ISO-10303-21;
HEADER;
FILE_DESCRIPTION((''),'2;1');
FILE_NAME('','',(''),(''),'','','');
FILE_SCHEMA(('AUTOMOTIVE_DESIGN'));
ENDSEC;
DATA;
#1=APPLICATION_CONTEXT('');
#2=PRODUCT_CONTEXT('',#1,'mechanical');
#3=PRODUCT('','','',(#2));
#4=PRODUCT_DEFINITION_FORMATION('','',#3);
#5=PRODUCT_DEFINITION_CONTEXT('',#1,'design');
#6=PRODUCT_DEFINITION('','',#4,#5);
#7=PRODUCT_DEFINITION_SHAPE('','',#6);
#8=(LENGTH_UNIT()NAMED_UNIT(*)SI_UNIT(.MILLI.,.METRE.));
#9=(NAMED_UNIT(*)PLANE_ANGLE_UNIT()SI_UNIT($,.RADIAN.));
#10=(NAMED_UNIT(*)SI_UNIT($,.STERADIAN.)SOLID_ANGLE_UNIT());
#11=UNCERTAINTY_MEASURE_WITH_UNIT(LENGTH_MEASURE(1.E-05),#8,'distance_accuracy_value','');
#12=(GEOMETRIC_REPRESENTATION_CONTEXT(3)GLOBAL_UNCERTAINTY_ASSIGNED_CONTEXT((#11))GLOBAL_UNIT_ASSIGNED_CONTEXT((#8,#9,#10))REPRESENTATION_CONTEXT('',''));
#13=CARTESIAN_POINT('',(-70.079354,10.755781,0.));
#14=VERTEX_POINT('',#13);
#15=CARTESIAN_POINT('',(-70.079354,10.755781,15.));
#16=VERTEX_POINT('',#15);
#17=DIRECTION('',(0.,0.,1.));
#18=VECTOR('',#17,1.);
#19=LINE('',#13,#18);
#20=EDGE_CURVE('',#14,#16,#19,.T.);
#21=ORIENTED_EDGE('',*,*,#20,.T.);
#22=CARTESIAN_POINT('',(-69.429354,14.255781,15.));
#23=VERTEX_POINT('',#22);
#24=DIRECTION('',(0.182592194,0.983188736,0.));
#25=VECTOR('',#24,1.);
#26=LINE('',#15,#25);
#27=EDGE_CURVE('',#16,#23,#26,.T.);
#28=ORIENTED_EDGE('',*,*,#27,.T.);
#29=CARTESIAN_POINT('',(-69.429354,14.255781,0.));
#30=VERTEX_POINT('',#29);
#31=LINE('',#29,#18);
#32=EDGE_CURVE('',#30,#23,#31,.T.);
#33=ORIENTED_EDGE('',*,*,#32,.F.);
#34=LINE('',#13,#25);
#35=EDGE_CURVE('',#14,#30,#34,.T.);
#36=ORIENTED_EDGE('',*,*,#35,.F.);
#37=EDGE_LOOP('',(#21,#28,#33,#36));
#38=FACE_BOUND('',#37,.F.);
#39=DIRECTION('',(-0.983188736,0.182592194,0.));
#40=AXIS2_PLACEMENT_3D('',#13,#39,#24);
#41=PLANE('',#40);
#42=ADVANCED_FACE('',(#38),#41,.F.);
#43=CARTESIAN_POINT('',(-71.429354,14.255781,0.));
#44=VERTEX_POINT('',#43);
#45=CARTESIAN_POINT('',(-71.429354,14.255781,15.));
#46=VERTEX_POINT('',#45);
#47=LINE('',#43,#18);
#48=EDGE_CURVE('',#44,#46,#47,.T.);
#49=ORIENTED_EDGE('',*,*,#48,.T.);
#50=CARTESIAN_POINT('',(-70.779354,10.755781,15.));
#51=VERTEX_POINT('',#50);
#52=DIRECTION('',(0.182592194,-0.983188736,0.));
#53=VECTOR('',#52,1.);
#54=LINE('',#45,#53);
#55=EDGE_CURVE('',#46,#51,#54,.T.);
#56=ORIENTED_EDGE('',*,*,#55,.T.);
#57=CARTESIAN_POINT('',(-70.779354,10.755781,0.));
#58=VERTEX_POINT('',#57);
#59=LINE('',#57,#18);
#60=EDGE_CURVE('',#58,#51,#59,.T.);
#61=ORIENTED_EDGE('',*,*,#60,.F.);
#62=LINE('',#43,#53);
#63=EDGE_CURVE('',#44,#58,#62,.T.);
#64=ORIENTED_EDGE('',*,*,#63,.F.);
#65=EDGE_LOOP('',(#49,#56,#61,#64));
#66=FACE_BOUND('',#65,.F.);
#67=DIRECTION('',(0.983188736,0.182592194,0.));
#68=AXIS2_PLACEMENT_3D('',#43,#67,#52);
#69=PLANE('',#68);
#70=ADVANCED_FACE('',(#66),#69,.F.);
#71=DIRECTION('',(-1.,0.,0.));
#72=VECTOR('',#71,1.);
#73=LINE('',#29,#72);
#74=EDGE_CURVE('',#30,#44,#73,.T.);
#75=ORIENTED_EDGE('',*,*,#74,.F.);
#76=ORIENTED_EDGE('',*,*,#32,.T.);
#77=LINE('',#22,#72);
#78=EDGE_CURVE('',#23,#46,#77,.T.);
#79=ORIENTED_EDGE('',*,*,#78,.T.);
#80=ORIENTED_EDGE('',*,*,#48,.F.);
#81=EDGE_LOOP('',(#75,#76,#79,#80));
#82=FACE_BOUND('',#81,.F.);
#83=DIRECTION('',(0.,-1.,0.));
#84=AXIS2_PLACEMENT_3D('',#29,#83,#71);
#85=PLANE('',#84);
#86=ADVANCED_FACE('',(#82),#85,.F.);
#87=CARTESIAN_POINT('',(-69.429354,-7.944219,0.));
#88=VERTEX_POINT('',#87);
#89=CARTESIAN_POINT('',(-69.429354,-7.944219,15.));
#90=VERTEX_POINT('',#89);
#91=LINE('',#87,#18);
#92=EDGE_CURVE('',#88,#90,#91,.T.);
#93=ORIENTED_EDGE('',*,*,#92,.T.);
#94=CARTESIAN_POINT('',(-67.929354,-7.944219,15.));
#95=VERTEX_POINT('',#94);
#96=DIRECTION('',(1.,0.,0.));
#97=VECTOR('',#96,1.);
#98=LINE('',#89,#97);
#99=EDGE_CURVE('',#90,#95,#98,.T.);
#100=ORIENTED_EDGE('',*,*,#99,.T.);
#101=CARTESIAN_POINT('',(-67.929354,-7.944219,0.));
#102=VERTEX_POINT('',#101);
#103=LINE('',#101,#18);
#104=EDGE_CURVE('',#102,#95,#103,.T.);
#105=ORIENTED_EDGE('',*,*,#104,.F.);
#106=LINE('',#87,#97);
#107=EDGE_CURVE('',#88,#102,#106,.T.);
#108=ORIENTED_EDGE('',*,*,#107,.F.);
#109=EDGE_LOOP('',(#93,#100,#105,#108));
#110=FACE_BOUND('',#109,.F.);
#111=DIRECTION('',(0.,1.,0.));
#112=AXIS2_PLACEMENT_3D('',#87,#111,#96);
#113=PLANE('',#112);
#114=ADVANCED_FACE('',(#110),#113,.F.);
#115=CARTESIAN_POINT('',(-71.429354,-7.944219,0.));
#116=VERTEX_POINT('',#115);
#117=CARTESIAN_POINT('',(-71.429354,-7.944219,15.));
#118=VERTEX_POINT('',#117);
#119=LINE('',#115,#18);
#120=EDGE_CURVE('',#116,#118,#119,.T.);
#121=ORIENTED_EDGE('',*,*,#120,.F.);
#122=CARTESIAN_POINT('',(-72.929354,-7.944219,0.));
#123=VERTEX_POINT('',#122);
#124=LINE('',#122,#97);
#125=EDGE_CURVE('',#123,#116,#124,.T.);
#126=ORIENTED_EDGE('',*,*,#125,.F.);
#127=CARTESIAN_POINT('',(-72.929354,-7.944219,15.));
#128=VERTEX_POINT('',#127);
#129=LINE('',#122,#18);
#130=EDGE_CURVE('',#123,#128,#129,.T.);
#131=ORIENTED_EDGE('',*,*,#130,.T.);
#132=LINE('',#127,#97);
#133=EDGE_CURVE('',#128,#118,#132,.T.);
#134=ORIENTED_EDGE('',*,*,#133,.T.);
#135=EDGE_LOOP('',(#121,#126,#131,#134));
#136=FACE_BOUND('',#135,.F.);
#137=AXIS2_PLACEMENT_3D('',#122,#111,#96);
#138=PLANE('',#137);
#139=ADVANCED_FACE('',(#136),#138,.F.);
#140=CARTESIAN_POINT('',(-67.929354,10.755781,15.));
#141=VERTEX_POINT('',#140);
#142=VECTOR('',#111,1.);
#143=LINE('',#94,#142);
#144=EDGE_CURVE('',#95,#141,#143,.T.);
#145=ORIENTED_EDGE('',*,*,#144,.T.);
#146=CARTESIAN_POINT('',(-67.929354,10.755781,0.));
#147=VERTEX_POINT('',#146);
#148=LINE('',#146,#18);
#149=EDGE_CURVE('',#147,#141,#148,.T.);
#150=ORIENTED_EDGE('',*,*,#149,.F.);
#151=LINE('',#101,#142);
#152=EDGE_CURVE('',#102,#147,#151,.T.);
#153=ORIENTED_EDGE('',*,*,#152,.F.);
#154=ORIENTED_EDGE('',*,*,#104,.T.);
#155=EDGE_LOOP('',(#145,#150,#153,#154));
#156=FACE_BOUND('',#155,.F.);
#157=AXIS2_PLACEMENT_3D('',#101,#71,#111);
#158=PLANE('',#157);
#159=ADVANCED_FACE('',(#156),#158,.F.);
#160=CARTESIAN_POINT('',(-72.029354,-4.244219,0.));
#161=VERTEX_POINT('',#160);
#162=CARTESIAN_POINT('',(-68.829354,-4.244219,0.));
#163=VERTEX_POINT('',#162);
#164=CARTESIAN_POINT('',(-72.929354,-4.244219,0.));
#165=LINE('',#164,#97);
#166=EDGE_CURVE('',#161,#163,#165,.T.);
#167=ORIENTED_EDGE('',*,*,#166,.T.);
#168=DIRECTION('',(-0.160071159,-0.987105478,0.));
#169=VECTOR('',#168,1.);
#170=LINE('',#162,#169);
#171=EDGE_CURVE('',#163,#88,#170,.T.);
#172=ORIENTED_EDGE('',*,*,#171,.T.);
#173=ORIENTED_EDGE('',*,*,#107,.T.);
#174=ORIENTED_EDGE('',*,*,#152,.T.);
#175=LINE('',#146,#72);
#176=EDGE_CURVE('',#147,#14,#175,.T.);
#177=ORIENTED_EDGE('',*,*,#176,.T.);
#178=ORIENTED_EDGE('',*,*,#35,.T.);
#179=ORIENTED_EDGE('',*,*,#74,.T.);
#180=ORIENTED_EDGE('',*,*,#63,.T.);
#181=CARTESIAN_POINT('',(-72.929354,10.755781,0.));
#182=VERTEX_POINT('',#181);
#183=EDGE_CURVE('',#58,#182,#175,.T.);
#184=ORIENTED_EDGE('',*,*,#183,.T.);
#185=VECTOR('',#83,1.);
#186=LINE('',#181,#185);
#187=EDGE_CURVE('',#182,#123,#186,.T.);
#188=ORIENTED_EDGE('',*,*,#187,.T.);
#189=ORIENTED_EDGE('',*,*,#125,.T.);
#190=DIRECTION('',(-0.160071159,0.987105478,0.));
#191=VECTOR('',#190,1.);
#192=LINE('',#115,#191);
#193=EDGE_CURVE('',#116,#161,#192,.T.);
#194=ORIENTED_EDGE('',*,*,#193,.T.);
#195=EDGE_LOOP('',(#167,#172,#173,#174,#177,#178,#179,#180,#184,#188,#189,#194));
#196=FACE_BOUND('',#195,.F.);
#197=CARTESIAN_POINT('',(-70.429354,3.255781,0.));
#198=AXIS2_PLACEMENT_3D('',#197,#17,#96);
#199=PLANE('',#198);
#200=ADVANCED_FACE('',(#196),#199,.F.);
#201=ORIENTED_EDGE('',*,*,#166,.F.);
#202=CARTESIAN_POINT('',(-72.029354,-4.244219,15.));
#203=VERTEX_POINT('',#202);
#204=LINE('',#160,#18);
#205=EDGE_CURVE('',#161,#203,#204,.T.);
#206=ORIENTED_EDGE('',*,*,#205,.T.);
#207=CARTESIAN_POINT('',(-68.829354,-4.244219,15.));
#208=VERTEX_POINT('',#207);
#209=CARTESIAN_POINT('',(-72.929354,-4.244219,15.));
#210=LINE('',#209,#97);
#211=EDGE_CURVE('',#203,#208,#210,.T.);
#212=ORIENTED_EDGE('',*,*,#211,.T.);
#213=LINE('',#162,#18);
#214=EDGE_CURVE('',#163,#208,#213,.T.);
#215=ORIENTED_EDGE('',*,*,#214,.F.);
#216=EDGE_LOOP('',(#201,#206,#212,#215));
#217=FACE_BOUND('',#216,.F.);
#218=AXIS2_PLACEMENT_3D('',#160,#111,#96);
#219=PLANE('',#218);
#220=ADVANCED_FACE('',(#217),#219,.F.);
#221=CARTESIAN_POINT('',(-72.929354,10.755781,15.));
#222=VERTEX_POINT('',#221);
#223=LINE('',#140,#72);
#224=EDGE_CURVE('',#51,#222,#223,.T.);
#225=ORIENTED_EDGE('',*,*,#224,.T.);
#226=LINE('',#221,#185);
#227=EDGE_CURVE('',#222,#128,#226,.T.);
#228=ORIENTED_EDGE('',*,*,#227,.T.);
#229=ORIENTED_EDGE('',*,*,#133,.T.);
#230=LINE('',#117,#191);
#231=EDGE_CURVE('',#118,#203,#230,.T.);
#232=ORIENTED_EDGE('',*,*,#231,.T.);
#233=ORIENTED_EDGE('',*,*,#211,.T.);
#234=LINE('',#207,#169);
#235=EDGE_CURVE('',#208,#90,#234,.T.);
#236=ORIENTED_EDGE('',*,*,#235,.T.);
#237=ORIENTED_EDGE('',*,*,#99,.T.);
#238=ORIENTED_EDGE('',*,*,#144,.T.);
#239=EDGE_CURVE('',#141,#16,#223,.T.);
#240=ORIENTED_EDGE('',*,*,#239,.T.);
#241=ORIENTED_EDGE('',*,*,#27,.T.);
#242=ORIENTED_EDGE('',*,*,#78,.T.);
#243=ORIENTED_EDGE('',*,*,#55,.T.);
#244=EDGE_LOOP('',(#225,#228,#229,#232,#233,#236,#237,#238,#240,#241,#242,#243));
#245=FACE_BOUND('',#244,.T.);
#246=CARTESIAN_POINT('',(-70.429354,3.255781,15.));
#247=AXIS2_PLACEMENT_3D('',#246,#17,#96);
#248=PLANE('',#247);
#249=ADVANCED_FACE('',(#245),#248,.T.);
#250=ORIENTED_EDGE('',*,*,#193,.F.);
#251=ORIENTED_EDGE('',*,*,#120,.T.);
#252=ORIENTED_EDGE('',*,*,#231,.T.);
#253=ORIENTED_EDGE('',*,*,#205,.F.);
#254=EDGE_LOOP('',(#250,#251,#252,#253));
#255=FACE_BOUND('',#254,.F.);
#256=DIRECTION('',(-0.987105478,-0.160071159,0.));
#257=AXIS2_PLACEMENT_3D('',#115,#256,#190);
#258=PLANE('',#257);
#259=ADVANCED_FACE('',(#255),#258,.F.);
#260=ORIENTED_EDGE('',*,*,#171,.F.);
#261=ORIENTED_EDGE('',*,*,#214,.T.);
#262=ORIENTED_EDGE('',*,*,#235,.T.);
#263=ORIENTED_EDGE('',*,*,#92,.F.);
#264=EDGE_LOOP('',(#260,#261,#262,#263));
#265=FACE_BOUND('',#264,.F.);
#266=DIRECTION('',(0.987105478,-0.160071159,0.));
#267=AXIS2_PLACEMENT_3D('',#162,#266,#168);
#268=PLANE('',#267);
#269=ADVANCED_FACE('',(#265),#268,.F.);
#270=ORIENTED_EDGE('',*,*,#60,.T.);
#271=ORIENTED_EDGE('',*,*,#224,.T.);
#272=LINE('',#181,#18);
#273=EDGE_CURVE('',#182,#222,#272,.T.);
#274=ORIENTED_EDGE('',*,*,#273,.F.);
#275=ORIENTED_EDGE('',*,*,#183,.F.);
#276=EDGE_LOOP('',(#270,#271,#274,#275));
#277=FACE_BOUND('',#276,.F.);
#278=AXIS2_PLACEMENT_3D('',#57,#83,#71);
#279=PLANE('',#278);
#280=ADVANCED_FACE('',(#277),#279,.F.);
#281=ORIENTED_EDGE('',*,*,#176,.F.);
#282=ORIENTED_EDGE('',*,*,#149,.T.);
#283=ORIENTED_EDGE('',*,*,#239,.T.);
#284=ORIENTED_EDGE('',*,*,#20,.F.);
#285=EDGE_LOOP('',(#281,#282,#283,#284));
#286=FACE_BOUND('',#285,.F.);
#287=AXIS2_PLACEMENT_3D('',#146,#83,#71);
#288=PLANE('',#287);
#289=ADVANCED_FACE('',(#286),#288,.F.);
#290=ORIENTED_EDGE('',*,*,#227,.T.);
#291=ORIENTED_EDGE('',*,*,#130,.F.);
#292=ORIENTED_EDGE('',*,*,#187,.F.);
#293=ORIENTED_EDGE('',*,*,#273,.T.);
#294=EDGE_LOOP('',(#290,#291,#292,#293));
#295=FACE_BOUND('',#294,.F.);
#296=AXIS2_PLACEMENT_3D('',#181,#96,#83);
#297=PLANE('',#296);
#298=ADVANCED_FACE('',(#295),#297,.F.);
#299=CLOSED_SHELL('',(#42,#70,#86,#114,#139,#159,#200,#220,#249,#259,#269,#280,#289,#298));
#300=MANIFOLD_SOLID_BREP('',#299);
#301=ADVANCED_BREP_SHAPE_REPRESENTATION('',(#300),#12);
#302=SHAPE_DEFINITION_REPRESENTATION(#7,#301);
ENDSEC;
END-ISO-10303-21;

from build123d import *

# Parameters (mm, degrees)
F1_DEPTH = 15


with BuildPart() as f1:
    # F0 (on Top) → F1 (new body)
    with BuildSketch(Plane.XY):
        Polygon((-70.779354, 10.755781), (-72.929354, 10.755781), (-72.929354, -4.244219), (-72.029354, -4.244219), (-68.829354, -4.244219), (-67.929354, -4.244219), (-67.929354, 10.755781), (-70.079354, 10.755781), align=None)
        Polygon((-71.429354, 14.255781), (-70.779354, 10.755781), (-70.079354, 10.755781), (-69.429354, 14.255781), align=None)
        Polygon((-72.029354, -4.244219), (-72.929354, -4.244219), (-72.929354, -7.944219), (-71.429354, -7.944219), align=None)
        Polygon((-67.929354, -4.244219), (-68.829354, -4.244219), (-69.429354, -7.944219), (-67.929354, -7.944219), align=None)
    extrude(amount=F1_DEPTH)


solid = f1.part
